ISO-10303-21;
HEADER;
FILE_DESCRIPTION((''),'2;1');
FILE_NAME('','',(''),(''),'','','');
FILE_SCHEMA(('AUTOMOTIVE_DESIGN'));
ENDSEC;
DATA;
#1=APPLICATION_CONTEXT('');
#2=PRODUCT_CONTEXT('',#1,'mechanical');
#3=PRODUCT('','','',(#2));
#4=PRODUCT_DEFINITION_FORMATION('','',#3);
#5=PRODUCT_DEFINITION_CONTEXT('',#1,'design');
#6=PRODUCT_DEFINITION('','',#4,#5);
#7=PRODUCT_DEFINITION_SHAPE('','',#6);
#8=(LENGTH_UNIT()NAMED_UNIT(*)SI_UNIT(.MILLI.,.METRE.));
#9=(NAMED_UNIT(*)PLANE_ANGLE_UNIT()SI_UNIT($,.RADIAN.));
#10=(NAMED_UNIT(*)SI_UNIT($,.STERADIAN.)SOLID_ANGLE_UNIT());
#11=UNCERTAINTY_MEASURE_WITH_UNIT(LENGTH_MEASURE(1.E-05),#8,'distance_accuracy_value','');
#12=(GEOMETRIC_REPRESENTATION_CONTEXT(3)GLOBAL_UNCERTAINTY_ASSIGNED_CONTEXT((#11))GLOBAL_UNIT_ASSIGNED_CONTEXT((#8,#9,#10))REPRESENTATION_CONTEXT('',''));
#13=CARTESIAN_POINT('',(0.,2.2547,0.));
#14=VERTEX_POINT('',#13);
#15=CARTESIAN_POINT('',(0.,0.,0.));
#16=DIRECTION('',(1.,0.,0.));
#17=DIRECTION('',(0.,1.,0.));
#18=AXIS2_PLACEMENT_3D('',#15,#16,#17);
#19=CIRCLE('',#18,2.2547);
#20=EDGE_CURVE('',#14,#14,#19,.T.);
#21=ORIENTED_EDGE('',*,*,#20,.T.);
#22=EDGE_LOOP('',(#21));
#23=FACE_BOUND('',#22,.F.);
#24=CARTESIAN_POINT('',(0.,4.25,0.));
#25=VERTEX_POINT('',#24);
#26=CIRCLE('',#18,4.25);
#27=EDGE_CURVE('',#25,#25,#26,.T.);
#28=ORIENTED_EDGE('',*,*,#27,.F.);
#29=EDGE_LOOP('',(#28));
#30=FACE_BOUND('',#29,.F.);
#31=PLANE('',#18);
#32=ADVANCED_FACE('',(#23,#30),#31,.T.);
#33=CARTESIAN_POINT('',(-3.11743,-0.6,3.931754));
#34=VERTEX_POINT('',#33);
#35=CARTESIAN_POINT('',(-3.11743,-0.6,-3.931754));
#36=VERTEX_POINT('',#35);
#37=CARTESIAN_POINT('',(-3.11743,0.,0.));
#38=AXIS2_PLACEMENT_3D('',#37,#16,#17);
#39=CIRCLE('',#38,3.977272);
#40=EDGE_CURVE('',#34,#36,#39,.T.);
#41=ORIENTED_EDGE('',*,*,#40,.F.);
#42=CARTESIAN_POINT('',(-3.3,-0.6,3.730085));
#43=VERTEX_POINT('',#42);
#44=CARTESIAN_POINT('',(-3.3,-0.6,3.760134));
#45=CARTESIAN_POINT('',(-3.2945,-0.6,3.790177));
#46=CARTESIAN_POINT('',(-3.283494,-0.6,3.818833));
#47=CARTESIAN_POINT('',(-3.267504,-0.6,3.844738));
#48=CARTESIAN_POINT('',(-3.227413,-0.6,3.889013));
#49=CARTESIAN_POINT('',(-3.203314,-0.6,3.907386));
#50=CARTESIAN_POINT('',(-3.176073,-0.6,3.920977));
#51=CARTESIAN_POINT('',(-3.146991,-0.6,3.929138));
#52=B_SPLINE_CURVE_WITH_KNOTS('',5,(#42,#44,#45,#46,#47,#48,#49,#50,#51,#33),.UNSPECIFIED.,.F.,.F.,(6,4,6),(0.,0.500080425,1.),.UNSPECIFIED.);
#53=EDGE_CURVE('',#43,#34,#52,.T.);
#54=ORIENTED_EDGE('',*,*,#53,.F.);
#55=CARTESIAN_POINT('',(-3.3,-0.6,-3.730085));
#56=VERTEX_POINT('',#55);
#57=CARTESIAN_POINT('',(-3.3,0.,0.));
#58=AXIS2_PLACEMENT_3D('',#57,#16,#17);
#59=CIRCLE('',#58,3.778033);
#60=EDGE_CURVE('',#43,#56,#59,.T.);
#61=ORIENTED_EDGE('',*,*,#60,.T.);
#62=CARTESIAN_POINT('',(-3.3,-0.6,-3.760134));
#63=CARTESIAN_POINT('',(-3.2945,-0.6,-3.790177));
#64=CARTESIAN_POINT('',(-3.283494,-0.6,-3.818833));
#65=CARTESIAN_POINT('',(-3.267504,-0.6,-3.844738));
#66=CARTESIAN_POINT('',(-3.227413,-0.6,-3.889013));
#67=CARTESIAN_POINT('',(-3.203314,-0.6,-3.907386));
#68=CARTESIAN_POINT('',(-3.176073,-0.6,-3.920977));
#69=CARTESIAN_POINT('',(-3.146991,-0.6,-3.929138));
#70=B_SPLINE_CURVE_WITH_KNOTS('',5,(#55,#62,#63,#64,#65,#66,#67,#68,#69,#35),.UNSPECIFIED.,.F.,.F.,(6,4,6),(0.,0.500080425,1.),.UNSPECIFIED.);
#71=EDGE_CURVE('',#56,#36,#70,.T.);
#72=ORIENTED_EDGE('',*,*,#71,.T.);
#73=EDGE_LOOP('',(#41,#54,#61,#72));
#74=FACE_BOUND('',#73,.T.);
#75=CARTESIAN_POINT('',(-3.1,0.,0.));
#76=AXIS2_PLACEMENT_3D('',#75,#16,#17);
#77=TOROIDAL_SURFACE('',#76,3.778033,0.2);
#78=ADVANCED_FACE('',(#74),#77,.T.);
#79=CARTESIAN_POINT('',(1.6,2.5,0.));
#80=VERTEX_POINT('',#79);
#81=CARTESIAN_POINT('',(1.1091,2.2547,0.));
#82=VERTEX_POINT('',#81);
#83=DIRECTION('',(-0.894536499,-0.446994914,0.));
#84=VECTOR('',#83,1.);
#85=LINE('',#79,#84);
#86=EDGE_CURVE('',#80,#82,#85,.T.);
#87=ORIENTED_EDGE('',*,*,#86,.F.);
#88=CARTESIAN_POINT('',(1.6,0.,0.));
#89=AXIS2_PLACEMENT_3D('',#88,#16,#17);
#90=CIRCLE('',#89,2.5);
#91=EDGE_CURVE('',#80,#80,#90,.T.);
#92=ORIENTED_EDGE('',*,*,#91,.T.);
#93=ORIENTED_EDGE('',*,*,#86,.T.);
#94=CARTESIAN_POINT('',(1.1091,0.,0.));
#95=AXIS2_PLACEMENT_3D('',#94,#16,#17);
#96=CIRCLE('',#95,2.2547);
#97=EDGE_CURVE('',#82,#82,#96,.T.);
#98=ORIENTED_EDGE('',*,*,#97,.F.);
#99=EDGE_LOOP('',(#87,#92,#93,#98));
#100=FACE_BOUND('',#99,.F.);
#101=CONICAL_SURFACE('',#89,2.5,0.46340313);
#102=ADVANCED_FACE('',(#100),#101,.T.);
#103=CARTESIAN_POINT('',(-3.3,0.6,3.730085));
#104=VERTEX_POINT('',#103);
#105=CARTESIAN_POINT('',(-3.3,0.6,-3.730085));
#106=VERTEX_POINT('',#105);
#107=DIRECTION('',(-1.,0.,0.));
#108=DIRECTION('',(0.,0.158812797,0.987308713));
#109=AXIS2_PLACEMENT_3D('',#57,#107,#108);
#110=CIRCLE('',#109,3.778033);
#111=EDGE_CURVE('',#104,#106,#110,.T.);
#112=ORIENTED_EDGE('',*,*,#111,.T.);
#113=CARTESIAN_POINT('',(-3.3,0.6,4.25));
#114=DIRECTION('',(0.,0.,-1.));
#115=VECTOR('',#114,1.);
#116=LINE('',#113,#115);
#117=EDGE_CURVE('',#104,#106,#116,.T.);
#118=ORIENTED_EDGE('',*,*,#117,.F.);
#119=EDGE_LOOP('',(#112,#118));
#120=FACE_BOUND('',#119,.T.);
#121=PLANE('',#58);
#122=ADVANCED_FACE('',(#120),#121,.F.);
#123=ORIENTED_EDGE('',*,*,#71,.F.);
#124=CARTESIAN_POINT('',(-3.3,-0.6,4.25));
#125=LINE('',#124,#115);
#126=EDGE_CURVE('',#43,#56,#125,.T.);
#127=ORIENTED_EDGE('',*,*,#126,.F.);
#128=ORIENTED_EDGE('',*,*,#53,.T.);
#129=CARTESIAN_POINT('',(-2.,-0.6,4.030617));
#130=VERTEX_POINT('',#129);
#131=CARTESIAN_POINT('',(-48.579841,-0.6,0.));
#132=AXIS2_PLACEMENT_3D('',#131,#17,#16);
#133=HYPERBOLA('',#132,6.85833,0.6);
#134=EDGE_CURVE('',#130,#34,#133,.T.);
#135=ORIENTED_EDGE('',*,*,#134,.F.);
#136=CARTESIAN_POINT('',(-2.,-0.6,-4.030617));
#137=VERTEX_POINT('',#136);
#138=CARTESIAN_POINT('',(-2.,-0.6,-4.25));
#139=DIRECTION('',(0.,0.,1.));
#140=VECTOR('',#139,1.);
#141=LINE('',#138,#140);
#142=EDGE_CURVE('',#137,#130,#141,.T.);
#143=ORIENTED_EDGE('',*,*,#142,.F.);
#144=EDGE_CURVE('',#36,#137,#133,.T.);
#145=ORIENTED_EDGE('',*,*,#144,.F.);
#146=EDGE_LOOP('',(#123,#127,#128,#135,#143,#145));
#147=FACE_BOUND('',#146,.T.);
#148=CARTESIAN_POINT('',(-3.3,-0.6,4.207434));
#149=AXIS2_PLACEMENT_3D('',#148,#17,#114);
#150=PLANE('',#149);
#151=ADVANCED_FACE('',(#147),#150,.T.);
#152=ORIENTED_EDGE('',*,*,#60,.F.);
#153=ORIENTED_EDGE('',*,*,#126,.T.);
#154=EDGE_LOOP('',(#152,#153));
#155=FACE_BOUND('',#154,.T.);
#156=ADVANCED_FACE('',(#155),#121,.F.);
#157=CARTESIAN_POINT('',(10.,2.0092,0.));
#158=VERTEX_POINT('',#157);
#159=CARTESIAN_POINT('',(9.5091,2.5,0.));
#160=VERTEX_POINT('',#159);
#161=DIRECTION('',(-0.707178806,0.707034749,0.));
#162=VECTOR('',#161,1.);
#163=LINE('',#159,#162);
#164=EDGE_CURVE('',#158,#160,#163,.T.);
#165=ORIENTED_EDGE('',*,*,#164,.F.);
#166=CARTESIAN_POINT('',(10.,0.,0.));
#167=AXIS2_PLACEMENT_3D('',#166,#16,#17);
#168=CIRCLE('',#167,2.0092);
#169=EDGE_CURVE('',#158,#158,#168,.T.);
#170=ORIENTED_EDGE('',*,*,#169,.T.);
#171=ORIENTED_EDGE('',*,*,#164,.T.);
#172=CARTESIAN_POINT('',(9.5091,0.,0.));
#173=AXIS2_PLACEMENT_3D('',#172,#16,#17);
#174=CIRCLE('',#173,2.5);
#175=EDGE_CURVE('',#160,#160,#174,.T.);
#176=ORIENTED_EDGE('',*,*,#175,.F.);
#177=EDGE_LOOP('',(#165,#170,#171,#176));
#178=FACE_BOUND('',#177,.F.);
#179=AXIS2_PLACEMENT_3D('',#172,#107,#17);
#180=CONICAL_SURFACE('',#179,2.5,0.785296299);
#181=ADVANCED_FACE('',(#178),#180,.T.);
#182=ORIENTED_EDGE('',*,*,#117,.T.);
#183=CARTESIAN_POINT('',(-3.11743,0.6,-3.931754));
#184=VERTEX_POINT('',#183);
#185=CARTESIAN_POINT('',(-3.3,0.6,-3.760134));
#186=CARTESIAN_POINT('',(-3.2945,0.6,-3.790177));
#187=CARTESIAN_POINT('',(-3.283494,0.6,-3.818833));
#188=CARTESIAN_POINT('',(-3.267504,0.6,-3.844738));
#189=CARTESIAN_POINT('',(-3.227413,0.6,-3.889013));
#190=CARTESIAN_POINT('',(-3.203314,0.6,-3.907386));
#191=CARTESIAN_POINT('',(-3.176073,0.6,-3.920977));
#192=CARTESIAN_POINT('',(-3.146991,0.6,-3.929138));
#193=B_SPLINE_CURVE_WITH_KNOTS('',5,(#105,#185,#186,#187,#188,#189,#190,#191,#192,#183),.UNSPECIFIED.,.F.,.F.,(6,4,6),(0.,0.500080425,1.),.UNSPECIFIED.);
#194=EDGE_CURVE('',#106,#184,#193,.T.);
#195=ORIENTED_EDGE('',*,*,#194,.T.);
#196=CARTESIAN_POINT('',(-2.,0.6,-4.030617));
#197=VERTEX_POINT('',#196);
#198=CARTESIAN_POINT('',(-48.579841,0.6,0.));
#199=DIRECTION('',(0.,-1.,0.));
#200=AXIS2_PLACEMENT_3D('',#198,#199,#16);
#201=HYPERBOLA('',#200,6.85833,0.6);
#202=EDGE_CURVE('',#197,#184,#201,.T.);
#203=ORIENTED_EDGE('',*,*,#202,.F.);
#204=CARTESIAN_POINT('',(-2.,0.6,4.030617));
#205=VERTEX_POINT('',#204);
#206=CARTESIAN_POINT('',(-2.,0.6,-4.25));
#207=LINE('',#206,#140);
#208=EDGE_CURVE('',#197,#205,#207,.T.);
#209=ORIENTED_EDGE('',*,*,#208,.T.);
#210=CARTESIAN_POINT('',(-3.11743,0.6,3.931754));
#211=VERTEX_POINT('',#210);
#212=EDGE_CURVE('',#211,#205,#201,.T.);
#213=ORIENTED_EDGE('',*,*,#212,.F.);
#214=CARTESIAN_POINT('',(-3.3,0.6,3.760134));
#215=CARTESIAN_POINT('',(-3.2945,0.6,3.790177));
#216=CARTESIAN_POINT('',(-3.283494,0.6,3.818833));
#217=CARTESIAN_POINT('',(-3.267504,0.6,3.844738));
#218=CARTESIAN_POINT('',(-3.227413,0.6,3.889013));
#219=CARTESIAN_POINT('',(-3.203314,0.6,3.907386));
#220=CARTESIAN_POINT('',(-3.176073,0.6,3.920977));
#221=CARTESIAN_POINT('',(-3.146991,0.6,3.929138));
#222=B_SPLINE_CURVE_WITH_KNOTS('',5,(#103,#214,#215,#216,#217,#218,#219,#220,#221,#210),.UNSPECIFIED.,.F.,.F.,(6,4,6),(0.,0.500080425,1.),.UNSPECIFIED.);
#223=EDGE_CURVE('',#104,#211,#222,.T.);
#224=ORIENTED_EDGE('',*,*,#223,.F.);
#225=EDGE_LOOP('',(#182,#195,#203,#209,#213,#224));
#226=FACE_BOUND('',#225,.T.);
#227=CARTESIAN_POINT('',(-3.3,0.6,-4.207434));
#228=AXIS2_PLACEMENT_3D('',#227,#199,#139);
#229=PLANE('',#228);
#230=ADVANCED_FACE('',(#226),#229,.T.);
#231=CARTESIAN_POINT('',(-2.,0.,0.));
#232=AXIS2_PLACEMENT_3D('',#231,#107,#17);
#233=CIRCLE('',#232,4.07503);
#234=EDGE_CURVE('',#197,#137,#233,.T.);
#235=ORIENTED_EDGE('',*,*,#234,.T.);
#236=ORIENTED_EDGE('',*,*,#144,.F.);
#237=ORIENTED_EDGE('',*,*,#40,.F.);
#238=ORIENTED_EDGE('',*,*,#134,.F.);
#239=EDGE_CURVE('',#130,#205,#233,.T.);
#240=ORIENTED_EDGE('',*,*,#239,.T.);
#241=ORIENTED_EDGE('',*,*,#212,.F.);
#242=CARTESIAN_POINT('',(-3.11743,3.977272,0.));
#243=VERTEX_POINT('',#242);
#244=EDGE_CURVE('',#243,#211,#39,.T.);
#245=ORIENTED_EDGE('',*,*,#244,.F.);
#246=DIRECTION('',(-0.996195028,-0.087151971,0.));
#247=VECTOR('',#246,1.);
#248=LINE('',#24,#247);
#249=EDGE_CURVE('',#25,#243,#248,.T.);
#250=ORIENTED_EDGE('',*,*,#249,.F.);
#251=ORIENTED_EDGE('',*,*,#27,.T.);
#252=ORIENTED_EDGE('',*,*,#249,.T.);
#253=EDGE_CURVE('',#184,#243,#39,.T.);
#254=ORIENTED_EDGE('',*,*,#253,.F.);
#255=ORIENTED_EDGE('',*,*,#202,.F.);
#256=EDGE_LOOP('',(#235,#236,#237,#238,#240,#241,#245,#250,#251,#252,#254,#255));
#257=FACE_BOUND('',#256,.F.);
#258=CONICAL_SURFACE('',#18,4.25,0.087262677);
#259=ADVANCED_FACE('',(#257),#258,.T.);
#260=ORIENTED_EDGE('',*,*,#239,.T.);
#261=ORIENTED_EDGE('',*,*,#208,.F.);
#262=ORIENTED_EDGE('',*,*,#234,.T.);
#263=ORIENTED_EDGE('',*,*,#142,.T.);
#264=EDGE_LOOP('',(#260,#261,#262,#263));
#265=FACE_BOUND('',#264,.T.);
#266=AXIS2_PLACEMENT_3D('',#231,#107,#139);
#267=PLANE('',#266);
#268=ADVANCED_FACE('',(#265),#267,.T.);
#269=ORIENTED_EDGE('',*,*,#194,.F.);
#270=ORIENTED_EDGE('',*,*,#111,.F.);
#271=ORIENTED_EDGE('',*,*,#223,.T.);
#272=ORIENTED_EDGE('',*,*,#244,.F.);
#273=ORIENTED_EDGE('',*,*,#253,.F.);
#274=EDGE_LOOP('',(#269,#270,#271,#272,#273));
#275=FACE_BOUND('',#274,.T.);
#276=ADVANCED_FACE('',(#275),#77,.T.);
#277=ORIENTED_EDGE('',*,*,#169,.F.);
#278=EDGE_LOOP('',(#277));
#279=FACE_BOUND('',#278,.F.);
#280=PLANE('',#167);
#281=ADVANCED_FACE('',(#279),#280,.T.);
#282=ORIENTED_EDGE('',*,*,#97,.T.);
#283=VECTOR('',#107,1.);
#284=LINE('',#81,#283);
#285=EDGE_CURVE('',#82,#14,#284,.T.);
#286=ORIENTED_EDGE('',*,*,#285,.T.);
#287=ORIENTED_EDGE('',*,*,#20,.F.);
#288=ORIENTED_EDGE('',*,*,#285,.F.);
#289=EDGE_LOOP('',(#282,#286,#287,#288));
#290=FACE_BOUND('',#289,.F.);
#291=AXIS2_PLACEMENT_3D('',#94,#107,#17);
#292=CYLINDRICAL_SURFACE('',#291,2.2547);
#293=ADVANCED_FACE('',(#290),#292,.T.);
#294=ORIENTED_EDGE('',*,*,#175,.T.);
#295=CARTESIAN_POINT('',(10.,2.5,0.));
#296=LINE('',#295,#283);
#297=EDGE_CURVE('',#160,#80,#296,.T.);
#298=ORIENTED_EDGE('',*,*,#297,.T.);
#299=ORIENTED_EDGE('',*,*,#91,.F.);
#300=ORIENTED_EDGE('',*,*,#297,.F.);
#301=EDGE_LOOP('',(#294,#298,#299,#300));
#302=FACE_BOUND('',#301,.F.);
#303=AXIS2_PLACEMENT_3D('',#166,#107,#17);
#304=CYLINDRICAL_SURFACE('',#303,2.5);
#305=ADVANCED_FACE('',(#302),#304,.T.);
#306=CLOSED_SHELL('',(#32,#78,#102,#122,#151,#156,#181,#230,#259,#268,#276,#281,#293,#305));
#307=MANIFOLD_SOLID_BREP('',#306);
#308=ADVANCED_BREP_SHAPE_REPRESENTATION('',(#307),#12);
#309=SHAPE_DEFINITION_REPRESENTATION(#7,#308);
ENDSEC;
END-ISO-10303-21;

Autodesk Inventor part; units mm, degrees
ref_plane "YZ Plane" through (0, 0, 0) normal (1, 0, 0) x (0, 1, 0)
ref_plane "XZ Plane" through (0, 0, 0) normal (0, 1, 0) x (-1, 0, 0)
sketch "Sketch1" plane through (0, 0, 0) normal (0, 0, 1) x (1, 0, 0)
  line L0 (-3.3, 0) -> (10, 0)
  line L1 (10, 0) -> (10, 2.5)
  line L2 (10, 2.5) -> (1.6, 2.5)
  line L3 (1.6, 2.5) -> (1.1091, 2.2547)
  line L4 (1.1091, 2.2547) -> (0, 2.2547)
  line L5 (0, 2.2547) -> (0, 4.25)
  line L6 (-5.96, 0) -> (12.66, 0) projected
  line L7 (0, -0.85) -> (0, 5.1) projected
  line L8 (-3.3, 0) -> (-3.3, 3.9613)
  line L9 (0, 4.25) -> (-3.3, 3.9613)
  line L10 (1.6, 2.5) -> (0, 2.5) construction
  dimension "d0" = 10
  dimension "d1" = 8.4
  dimension "d2" = 0.4909
  dimension "d3" = 3.3
  dimension "d4" = 5
  dimension "d5" = 4.5095
  dimension "d9" = 8.5
  dimension "d10" = 5
revolve "Body" add sketch "Sketch1" angle 360 about axis through (-3.3, 0, 0) along (1, 0, 0)
sketch "Sketch2" plane through (-3.3, 0, 0) normal (-1, 0, 0) x (0, 0, 1)
  circle A0 centre (0, 0) radius 4.25 projected
  line L0 (0, 0) -> (0, 3.9613) projected
  line L1 (-4.25, 0.6) -> (4.25, 0.6)
  line L2 (4.25, 0.6) -> (4.25, -0.6)
  line L3 (4.25, -0.6) -> (-4.25, -0.6)
  line L4 (-4.25, -0.6) -> (-4.25, 0.6)
  line L5 (-4.25, 0) -> (4.25, 0) construction
  line L6 (0, 0.6) -> (0, -0.6) construction
  point P0 (0, 0)
  dimension "d11" = 1.2
  dimension "d12" = 8.5
fillet "Fillet1" radius 0.2 1 edges at (-3.3, -3.9613, 0)
extrude "Slot" cut sketch "Sketch2" against normal blind 1.3 contours A0 L3 L1 | L2 L3 A0 | A0 L1 L2 | A0 L4 L1 | L3 L4 A0
thread "Thread" size "M5x0.8" class "6g" standard "ISO Metric profile" length 8.4
chamfer "Chamfer1" distance 0.4908 distance2 0.4909 1 edges at (10, -2.5, 0) measured on face at (10, 0.6684, -0.7339)
ref_plane "Work Plane1" through (30.1625, 0, 0) normal (0, 0, -1) x (1, 0, 0)
equation "\"d11\" = SBR"
equation "\"d12\" = KOD"
equation "\"d19\" = STI"
equation "\"d14\" = RR"
equation "\"d15\" = GEL"
equation "\"d17\" = -0.5 * SPD + 0.5 * GD"
equation "\"d0\" = NLG"
equation "\"d1\" = GEL"
equation "\"d3\" = KOH"
equation "\"d4\" = GD"
equation "\"d5\" = BDM"
equation "\"d9\" = KOD"
equation "\"d10\" = KEWI"
equation "\"GD\" = NND"
equation "\"NLG\" = 10"
equation "\"GEL\" = 8.4"
equation "\"KOD\" = 8.5"
equation "\"KOH\" = 3.3"
equation "\"GAL\" = 0.61345 * PTC"
equation "\"SPD\" = NND - 1.2269 * PTC"
equation "\"BDM\" = 4.5095"
equation "\"GUL\" = 0.61345 * PTC"
equation "\"RR\" = 0.2"
equation "\"SBR\" = 1.2"
equation "\"STI\" = 1.3"
equation "\"KEWI\" = 5deg"
equation "\"PTC\" = 0.8"
equation "\"THREADDIA\" = 5"
equation "\"TOA\" = 30deg"
equation "\"NND\" = 5"
equation "\"GD1\" = THREADDIA - 1.2269 * PTC"
properties part number "ISO 1207 - M5 x 10" material "X105CrMo17"
